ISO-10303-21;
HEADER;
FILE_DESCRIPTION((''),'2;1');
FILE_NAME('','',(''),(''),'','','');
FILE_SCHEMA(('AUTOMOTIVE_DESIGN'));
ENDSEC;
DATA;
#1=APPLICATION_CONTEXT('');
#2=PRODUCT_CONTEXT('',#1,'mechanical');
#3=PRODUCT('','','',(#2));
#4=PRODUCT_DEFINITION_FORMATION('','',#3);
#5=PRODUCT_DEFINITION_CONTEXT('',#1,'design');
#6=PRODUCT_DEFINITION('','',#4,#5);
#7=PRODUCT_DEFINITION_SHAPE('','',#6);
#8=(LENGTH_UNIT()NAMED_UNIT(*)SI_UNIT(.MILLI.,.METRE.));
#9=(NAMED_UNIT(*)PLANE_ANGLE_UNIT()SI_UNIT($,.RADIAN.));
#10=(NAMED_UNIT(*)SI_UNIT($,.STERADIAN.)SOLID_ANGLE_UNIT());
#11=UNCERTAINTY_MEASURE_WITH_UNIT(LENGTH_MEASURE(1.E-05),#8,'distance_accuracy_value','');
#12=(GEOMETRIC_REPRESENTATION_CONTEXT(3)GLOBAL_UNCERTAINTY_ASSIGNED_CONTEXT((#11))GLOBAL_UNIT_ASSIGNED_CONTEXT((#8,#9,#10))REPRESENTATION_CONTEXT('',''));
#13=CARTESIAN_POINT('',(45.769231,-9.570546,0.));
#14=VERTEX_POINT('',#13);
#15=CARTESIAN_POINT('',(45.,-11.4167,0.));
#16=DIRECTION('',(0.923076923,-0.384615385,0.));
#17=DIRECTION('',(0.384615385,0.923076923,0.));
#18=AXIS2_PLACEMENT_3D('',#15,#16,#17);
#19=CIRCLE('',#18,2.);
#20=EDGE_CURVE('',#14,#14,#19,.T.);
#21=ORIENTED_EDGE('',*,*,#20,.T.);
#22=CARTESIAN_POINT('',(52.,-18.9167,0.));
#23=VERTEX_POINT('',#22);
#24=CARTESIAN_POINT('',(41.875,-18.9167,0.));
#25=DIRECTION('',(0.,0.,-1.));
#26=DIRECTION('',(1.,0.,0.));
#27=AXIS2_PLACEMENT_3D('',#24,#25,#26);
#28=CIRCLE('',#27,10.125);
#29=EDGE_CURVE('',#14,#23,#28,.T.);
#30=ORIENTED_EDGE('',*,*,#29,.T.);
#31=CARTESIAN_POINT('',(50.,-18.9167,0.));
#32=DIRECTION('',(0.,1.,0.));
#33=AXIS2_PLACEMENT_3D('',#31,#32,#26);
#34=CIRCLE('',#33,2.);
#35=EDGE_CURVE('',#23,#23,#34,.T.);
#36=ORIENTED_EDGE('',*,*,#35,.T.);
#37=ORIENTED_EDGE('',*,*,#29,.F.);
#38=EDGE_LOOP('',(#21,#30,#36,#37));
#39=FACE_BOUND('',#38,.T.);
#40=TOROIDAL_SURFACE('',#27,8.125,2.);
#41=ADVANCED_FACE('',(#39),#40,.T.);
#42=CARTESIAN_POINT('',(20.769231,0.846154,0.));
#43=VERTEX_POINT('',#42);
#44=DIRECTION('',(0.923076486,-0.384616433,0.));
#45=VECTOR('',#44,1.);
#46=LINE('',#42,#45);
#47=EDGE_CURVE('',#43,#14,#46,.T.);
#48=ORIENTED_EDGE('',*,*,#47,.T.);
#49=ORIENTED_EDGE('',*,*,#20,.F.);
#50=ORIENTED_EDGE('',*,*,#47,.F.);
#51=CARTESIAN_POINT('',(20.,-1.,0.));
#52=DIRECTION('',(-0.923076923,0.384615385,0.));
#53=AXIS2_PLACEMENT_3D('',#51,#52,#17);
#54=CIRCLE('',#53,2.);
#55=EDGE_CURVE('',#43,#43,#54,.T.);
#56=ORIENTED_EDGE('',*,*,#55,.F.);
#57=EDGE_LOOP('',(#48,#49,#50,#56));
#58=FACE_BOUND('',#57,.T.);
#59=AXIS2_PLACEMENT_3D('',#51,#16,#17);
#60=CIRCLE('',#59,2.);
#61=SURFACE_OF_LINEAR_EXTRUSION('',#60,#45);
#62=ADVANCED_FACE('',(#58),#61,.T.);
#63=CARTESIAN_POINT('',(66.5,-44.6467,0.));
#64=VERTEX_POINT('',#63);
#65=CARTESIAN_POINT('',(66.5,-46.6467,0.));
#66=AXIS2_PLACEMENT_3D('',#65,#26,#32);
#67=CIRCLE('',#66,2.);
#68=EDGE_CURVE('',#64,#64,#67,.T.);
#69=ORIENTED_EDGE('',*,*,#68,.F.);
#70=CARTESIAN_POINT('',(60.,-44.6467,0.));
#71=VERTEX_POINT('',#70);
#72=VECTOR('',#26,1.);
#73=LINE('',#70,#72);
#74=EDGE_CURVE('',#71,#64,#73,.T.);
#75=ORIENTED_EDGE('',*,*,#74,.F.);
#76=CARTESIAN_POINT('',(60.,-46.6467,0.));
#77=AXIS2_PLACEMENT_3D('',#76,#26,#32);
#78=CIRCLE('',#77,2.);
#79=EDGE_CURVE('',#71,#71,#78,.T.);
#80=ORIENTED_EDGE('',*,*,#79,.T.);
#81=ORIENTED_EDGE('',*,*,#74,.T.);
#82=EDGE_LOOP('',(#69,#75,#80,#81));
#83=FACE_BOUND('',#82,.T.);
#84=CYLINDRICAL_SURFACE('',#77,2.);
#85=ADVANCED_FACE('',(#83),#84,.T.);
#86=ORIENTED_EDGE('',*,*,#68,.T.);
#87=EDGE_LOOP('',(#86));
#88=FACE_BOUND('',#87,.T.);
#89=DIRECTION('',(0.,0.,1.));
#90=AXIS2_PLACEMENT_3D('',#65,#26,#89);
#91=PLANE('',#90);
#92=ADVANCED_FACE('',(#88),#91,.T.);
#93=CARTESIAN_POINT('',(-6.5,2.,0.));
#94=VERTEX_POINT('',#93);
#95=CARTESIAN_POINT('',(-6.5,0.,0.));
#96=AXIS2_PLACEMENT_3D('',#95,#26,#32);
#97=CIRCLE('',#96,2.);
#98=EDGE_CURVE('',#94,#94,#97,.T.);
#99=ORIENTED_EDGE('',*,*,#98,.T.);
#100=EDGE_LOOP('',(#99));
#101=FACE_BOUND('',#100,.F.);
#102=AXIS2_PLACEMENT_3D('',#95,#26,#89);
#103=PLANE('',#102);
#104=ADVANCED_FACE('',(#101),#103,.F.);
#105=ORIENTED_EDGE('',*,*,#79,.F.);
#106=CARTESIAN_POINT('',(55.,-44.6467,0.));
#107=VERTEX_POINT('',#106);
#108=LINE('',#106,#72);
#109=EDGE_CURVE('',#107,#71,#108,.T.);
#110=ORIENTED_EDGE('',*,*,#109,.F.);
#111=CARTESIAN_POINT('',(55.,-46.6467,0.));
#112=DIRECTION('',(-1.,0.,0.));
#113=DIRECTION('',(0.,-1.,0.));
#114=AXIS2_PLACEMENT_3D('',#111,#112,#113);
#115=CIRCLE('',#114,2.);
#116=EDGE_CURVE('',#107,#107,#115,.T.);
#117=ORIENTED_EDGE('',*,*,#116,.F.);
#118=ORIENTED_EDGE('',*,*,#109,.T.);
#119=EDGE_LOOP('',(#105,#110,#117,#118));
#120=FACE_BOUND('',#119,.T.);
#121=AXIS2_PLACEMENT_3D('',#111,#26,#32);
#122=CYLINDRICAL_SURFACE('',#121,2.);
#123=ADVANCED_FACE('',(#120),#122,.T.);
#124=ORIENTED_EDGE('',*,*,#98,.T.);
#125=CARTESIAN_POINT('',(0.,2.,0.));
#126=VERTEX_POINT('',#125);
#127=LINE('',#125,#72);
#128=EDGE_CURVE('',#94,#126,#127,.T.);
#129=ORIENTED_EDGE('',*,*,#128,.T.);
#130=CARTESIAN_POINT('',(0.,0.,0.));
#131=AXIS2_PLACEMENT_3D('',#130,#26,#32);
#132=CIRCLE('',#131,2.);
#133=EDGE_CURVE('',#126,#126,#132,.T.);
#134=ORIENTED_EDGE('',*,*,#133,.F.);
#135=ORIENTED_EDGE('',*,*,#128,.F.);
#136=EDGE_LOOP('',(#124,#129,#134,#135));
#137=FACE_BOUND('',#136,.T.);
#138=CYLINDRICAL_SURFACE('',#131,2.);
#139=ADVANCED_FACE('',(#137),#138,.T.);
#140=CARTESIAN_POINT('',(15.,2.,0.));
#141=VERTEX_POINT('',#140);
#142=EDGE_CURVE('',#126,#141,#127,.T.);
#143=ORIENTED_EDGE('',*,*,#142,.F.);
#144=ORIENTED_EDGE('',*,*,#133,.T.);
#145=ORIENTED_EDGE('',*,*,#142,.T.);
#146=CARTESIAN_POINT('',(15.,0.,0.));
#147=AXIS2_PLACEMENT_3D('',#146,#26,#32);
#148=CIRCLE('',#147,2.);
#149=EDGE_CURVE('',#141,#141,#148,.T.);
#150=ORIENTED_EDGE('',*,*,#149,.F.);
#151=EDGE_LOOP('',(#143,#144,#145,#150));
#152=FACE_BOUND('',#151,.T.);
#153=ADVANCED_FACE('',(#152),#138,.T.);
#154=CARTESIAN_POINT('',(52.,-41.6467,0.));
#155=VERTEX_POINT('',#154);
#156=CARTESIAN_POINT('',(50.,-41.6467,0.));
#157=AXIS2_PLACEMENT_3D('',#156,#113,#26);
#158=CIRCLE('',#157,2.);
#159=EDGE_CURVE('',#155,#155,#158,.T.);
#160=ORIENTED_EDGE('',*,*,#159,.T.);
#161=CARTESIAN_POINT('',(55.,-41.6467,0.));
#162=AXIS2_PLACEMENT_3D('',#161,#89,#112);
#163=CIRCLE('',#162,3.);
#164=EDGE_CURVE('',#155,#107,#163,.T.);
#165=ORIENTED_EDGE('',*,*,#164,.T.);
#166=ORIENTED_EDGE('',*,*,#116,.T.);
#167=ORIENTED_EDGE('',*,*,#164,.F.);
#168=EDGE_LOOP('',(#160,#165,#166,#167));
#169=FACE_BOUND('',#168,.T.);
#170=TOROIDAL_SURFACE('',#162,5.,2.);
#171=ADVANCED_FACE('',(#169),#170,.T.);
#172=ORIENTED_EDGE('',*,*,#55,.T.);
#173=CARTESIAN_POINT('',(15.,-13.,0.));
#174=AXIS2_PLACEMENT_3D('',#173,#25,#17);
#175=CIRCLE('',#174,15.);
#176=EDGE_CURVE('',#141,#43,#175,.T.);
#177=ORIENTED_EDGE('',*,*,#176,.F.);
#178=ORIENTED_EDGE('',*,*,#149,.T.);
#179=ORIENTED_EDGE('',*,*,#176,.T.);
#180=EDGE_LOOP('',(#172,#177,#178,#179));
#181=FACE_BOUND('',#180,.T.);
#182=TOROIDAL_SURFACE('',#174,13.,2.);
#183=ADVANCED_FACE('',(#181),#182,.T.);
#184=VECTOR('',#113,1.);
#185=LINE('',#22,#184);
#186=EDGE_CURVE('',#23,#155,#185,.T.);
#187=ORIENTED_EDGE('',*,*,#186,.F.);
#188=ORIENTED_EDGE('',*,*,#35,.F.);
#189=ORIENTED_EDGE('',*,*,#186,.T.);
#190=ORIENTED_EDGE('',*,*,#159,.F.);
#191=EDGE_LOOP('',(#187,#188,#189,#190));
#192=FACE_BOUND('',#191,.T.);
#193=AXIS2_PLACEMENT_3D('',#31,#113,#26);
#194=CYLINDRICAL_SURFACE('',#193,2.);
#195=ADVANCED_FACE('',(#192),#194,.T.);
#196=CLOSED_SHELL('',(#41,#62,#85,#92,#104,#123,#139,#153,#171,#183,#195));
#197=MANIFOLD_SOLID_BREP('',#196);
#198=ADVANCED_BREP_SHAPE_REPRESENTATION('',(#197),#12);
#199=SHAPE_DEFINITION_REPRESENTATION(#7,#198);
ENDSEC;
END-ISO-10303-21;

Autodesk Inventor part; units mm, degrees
ref_plane "YZ Plane" through (0, 0, 0) normal (1, 0, 0) x (0, 1, 0)
ref_plane "XZ Plane" through (0, 0, 0) normal (0, 1, 0) x (-1, 0, 0)
ref_plane "XY Plane" through (0, 0, 0) normal (0, 0, 1) x (1, 0, 0)
sketch "Skizze1" plane through (0, 0, 0) normal (0, 0, 1) x (1, 0, 0)
  line L0 (0, 0) -> (15, 0)
  arc A0 (20, -1) -> (15, 0) centre (15, -13) ccw
  line L1 (20, -1) -> (45, -11.4167)
  arc A1 (50, -18.9167) -> (45, -11.4167) centre (41.875, -18.9167) ccw
  line L2 (50, -18.9167) -> (50, -41.6467)
  arc A2 (50, -41.6467) -> (55, -46.6467) centre (55, -41.6467) ccw
  line L3 (55, -46.6467) -> (60, -46.6467)
  line L4 (60, -46.6467) -> (66.5, -46.6467)
  line L5 (0, 0) -> (-6.5, 0)
  point P0 (57.5, -46.6467)
  dimension "d0" = 15
  dimension "d1" = 20
  dimension "d2" = 1
  dimension "d3" = 45
  dimension "d4" = 5
  dimension "d5" = 22.73
  dimension "d6" = 5
  dimension "d7" = 5
  dimension "d20" = 46.6467
  dimension "d22" = 6.5
  dimension "d23" = 6.5
sketch "Skizze2" plane through (0, 0, 0) normal (1, 0, 0) x (0, 1, 0)
  circle A0 centre (0, 0) radius 2
  dimension "d16" = 4
sweep "Sweeping1" add profiles "Skizze2" path "Skizze1"
equation "\"d22\" = d23"
properties part number "front iron bar"
